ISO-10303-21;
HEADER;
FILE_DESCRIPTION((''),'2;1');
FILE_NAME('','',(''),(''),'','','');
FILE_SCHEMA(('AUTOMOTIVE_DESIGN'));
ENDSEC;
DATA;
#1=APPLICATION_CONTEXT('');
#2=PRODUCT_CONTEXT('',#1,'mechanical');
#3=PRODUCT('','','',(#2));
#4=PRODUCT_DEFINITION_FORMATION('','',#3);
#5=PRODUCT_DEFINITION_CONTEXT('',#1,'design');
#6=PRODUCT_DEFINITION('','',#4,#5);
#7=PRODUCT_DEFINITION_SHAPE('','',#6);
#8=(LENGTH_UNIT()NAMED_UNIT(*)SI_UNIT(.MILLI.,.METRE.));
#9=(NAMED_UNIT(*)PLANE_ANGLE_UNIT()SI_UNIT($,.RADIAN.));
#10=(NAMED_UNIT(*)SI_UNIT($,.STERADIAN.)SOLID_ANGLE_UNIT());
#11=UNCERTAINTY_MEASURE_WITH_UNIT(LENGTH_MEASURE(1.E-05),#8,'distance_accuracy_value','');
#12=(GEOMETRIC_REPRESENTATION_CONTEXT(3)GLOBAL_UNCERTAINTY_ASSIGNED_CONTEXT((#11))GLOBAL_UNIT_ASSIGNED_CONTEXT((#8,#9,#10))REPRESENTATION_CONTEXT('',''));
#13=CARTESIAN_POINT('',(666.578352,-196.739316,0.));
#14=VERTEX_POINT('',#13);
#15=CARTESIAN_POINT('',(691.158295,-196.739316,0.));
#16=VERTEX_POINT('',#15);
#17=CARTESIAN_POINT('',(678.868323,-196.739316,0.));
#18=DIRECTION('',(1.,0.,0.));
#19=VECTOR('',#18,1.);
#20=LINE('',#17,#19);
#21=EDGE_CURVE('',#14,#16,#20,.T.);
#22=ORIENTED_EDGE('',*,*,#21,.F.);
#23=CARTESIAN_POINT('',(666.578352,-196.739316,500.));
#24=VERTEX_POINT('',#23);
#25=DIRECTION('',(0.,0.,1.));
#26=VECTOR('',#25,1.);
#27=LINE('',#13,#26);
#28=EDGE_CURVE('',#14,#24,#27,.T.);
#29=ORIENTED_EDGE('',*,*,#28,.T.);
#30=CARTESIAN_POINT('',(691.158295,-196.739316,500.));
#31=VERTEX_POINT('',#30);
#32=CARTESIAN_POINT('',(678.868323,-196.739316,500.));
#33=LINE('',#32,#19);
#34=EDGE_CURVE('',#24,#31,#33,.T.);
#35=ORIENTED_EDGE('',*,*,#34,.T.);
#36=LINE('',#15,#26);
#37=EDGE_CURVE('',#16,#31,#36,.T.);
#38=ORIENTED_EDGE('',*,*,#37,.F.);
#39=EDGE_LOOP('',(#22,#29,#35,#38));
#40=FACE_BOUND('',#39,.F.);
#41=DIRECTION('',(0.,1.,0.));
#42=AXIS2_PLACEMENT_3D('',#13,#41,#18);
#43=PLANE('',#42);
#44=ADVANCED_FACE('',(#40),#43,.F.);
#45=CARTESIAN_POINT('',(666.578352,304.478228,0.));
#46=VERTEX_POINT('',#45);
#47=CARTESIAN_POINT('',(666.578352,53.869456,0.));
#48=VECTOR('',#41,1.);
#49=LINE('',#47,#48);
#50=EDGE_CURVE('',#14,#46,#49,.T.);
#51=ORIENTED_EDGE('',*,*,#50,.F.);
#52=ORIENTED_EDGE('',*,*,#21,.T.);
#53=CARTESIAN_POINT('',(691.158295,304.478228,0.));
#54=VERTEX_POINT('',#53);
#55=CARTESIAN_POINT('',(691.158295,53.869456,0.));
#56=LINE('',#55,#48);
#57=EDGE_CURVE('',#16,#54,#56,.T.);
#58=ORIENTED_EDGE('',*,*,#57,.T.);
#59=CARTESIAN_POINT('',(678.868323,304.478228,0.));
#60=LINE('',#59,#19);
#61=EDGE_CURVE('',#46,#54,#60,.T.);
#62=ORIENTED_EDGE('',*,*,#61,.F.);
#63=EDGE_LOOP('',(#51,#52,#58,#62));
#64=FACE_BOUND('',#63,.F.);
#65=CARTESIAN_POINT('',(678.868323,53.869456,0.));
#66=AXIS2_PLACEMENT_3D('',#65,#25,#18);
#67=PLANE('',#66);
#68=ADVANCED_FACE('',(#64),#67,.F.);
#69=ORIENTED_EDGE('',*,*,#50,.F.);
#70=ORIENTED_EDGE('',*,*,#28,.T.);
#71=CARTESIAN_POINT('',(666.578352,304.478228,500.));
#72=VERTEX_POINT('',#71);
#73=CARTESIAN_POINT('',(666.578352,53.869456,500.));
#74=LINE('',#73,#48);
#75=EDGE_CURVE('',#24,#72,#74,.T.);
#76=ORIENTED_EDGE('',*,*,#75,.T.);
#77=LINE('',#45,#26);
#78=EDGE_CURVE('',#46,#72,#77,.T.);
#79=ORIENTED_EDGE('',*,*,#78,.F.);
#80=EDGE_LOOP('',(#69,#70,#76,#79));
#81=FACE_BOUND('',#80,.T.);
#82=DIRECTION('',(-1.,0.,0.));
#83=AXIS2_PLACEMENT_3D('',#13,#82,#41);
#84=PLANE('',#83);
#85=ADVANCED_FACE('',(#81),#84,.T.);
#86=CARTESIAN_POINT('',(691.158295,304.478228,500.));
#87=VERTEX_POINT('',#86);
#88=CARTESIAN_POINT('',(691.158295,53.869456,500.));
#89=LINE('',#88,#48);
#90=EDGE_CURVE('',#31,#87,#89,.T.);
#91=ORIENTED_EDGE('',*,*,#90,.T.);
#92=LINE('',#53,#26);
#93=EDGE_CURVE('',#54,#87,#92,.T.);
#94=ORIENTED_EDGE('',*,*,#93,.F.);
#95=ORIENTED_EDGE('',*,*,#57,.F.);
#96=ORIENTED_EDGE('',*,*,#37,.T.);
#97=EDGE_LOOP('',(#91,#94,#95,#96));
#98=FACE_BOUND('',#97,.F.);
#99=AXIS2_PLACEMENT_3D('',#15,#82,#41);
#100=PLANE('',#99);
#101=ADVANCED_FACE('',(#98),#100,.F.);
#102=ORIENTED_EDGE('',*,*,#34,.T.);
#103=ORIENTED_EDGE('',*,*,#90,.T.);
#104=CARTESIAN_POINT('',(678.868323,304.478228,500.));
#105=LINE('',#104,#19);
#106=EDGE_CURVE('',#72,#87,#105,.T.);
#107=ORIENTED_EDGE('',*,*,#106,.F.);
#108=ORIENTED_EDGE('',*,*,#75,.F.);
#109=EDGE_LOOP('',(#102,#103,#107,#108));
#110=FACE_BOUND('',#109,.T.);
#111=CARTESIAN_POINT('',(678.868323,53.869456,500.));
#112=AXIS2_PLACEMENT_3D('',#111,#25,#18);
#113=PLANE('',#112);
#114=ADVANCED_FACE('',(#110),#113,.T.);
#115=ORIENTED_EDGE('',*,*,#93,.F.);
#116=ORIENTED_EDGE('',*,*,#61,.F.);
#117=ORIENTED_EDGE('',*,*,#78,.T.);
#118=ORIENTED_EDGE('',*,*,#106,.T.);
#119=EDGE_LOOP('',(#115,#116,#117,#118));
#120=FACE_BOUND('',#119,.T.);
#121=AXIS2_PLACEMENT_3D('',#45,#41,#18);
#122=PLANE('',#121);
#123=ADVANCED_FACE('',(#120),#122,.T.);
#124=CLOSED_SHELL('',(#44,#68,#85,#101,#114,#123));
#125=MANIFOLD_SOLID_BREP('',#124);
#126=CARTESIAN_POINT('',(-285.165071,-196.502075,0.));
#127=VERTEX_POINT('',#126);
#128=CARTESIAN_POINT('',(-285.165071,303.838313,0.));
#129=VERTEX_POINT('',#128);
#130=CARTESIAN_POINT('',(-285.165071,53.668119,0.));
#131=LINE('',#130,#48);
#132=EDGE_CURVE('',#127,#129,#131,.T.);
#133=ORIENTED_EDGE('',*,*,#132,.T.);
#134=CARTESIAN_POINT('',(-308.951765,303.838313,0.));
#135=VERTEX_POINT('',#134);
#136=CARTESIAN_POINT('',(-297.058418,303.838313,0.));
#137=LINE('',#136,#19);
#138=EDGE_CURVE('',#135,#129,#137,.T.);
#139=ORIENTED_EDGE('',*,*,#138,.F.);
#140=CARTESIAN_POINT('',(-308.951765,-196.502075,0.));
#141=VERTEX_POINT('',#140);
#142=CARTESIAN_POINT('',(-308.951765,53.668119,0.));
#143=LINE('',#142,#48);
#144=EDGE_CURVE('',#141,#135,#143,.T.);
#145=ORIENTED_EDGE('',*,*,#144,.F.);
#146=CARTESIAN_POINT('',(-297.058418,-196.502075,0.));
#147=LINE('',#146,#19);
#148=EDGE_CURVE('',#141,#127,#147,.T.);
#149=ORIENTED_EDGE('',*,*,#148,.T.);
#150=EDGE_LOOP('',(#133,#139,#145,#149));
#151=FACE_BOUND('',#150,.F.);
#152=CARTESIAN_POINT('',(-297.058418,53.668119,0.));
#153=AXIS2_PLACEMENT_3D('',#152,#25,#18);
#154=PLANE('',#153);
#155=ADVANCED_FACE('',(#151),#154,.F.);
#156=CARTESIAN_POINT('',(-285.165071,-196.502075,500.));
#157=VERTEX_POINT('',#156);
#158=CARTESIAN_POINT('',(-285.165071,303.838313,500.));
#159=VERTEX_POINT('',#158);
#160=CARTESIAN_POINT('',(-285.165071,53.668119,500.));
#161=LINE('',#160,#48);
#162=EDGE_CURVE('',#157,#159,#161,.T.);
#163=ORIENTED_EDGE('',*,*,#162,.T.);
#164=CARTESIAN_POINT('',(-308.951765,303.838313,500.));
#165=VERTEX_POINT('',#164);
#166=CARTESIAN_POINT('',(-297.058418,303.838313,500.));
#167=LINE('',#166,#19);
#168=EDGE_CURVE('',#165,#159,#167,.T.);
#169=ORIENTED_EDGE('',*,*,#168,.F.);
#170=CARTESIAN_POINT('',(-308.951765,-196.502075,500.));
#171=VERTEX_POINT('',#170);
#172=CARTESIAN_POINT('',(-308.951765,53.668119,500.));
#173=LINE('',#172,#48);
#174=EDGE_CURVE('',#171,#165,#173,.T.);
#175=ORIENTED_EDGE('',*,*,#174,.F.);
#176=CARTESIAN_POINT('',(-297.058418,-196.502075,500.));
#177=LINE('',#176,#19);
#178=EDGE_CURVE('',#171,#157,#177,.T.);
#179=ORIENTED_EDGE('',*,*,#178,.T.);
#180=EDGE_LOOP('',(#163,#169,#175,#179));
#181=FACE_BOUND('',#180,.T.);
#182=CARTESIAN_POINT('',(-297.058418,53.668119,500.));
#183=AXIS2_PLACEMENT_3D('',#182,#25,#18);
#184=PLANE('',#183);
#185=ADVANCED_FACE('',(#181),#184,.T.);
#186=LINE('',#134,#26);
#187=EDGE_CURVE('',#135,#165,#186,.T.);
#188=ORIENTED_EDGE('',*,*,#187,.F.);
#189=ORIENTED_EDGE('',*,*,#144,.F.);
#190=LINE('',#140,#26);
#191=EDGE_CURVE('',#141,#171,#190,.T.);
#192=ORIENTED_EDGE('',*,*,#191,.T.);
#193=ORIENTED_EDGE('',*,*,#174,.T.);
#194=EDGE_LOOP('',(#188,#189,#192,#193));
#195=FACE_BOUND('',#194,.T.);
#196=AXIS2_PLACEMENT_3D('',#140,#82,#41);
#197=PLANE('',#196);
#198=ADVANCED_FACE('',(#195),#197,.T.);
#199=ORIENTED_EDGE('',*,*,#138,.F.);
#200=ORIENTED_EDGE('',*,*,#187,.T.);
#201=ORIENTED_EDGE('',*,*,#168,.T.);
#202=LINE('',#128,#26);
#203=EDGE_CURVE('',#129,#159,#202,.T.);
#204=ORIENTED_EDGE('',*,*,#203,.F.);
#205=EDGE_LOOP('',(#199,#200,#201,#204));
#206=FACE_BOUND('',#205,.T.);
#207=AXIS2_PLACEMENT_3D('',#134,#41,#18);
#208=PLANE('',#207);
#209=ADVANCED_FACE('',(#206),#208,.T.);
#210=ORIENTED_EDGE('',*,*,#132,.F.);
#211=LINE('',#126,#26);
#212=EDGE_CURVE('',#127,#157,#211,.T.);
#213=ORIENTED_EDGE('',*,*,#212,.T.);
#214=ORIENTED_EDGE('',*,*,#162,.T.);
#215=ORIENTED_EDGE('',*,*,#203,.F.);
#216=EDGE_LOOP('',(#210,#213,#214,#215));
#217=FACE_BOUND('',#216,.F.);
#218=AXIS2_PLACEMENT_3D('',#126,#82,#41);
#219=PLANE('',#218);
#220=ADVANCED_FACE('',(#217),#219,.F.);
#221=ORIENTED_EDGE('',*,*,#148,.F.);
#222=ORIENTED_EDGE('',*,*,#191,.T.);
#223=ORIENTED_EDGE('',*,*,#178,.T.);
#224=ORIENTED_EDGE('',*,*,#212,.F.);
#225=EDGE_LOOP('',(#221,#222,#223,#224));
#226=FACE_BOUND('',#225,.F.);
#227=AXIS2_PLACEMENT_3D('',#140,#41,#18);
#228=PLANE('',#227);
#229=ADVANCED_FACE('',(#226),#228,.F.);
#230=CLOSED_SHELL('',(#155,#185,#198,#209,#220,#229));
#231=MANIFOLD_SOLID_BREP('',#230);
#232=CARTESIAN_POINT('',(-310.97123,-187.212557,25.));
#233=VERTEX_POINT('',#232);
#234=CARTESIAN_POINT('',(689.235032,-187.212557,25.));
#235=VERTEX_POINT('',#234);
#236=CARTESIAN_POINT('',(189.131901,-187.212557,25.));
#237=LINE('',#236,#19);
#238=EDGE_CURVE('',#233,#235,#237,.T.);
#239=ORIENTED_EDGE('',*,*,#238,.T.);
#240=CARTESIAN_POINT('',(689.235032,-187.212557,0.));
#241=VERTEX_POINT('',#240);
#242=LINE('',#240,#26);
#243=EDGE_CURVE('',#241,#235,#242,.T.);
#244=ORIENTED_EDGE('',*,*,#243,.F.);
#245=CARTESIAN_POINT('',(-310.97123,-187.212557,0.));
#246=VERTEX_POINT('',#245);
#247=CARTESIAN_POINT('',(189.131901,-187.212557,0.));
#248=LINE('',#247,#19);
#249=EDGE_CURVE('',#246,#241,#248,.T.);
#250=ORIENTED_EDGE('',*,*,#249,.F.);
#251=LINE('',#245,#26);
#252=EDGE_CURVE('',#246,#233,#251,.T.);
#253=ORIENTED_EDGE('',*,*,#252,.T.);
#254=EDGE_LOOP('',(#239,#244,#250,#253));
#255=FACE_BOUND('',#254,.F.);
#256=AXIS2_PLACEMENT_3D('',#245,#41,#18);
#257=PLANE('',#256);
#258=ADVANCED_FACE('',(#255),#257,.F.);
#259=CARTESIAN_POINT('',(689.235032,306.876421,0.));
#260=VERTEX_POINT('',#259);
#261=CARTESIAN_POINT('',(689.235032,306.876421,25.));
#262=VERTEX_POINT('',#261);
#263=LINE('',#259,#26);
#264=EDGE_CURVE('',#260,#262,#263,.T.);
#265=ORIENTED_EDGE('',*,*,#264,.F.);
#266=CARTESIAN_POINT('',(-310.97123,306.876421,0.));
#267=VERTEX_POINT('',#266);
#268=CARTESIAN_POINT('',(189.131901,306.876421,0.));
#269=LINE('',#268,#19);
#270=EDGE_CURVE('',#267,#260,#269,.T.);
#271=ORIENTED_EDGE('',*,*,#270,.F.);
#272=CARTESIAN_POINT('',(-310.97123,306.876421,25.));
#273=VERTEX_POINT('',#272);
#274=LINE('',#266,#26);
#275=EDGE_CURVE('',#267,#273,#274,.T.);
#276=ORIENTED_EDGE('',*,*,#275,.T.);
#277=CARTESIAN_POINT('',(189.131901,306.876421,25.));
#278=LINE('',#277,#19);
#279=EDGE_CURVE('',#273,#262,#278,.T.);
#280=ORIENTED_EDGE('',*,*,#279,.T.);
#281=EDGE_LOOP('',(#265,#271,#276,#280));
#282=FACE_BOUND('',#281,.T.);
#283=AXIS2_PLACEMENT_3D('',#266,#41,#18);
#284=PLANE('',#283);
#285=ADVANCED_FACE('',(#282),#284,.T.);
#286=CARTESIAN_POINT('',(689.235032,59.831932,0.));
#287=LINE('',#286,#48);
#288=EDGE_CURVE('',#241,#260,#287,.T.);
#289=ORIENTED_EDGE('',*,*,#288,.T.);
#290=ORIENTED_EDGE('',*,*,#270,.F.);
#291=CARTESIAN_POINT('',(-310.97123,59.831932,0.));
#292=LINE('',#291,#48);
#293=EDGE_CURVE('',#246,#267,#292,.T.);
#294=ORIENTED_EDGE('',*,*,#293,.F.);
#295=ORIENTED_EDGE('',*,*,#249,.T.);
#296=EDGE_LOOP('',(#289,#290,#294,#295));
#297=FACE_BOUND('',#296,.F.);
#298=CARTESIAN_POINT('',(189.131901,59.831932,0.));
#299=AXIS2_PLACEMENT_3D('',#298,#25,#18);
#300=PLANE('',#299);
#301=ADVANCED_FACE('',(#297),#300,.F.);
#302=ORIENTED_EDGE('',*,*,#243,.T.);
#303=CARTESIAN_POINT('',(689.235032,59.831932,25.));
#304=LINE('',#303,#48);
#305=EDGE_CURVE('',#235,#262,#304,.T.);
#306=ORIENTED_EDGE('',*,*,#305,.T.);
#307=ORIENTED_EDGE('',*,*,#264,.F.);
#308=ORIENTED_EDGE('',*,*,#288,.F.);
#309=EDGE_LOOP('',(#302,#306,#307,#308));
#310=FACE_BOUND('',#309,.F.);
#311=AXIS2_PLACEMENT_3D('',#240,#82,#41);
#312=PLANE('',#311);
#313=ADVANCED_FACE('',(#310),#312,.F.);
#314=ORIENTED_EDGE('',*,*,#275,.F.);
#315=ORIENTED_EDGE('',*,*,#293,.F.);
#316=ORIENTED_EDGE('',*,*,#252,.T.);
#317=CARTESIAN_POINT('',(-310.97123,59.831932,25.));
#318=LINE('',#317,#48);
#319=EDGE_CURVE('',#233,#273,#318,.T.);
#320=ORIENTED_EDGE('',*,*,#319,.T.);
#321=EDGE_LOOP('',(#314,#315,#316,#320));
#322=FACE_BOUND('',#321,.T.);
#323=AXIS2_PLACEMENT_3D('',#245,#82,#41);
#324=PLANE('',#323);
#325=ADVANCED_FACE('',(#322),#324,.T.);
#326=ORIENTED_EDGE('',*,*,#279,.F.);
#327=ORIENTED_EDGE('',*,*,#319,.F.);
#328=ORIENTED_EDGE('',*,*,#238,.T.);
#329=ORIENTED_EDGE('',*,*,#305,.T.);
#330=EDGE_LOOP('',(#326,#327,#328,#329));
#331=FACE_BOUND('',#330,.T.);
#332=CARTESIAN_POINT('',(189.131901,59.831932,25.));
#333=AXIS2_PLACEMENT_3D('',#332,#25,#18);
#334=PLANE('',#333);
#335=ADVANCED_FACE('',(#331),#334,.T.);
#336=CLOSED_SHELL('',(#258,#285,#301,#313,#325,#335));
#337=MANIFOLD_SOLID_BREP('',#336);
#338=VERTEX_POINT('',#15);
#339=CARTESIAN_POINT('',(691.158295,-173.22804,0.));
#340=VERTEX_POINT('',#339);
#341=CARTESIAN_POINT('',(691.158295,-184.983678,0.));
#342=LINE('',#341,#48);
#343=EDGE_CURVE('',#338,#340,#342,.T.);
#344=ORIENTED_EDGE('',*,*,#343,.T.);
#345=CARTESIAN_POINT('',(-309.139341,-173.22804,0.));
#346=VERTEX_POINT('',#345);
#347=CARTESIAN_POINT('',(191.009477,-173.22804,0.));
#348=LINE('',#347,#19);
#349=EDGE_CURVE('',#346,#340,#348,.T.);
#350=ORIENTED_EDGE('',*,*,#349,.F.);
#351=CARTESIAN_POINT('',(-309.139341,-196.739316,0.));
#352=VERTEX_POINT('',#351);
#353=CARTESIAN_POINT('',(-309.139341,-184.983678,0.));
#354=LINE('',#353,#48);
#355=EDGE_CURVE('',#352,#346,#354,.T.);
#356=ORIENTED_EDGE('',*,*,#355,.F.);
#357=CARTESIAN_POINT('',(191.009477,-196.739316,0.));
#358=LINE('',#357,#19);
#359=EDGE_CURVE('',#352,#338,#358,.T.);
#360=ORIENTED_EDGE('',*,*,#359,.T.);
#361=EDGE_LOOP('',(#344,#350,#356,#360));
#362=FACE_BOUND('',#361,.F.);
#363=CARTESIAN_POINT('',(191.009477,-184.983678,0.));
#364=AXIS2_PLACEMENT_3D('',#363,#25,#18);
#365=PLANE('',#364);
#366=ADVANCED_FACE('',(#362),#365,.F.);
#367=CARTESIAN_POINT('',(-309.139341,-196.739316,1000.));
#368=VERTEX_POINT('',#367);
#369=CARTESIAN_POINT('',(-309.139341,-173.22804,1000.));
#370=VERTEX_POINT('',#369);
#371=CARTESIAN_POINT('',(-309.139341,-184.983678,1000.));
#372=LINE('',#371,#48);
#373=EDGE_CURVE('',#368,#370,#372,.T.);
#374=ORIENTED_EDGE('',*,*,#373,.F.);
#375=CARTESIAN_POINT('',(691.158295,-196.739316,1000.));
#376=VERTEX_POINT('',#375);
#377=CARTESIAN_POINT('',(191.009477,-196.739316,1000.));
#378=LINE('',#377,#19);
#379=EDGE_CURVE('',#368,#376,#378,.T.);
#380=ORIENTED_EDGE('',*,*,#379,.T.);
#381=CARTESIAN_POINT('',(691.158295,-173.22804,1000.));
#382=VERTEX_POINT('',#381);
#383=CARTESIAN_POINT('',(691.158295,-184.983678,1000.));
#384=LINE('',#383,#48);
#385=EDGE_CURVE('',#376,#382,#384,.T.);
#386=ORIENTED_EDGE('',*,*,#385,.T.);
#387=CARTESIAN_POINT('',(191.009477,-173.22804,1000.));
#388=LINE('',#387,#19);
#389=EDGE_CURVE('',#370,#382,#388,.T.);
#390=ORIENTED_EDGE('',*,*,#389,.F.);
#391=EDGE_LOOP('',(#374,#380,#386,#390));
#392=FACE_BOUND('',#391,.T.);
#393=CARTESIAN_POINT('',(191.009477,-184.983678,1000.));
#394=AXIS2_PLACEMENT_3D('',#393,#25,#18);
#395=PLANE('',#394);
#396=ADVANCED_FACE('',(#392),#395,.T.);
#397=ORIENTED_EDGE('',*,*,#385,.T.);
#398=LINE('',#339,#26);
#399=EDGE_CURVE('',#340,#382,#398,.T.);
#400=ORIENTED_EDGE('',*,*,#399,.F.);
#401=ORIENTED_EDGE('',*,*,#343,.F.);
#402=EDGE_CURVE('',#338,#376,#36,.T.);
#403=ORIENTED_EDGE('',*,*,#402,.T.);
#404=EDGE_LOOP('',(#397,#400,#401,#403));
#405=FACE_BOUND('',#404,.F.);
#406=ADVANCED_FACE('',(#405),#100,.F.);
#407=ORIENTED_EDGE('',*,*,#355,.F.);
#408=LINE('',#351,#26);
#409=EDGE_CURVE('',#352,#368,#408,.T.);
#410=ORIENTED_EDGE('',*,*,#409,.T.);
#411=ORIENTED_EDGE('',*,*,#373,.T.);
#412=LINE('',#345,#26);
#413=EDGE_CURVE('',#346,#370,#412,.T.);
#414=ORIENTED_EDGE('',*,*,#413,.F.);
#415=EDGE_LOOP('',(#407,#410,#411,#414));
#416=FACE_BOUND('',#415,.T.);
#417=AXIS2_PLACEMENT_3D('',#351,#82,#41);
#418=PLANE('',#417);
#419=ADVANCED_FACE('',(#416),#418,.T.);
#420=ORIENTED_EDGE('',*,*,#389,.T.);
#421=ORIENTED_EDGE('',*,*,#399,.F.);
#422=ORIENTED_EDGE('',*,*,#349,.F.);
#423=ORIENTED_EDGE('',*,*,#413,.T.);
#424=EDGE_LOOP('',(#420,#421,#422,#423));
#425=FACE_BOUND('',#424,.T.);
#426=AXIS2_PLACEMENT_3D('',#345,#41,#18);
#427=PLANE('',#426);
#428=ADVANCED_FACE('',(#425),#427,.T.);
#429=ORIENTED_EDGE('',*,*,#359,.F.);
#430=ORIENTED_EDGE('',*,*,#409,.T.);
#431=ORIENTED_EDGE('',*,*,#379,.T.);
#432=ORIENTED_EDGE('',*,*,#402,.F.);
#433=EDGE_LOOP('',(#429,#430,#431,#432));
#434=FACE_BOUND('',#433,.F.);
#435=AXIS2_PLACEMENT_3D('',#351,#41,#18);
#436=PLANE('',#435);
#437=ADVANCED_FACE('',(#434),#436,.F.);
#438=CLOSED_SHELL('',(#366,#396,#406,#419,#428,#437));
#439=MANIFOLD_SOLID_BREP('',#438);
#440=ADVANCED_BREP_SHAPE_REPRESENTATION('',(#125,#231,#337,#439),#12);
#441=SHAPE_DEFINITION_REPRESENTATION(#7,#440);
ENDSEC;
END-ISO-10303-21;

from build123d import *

# Parameters (mm, degrees)
F2_W     = 23.786694
F2_H     = 500.340388
F3_DEPTH = 500
F4_W     = 24.579943
F4_H     = 501.217544
F5_DEPTH = 500
F6_W     = 1000.297636
F6_H     = 23.511276
F7_DEPTH = 1000
F8_W     = 1000.206262
F8_H     = 494.088978
F9_DEPTH = 25


with BuildPart() as f3:
    # F2 (on face) → F3 (new body)
    with BuildSketch(Plane.XY):
        with Locations((-297.058418, 53.668119)):
            Rectangle(F2_W, F2_H)
    extrude(amount=F3_DEPTH)


with BuildPart() as f5:
    # F4 (on face) → F5 (new body)
    with BuildSketch(Plane.XY):
        with Locations((678.868323, 53.869456)):
            Rectangle(F4_W, F4_H)
    extrude(amount=F5_DEPTH)


with BuildPart() as f7:
    # F6 (on face) → F7 (new body)
    with BuildSketch(Plane.XY):
        with Locations((191.009477, -184.983678)):
            Rectangle(F6_W, F6_H)
    extrude(amount=F7_DEPTH)


with BuildPart() as f9:
    # F8 (on face) → F9 (new body)
    with BuildSketch(Plane.XY):
        with Locations((189.131901, 59.831932)):
            Rectangle(F8_W, F8_H)
    extrude(amount=F9_DEPTH)


solid = Compound([f3.part, f5.part, f7.part, f9.part])
